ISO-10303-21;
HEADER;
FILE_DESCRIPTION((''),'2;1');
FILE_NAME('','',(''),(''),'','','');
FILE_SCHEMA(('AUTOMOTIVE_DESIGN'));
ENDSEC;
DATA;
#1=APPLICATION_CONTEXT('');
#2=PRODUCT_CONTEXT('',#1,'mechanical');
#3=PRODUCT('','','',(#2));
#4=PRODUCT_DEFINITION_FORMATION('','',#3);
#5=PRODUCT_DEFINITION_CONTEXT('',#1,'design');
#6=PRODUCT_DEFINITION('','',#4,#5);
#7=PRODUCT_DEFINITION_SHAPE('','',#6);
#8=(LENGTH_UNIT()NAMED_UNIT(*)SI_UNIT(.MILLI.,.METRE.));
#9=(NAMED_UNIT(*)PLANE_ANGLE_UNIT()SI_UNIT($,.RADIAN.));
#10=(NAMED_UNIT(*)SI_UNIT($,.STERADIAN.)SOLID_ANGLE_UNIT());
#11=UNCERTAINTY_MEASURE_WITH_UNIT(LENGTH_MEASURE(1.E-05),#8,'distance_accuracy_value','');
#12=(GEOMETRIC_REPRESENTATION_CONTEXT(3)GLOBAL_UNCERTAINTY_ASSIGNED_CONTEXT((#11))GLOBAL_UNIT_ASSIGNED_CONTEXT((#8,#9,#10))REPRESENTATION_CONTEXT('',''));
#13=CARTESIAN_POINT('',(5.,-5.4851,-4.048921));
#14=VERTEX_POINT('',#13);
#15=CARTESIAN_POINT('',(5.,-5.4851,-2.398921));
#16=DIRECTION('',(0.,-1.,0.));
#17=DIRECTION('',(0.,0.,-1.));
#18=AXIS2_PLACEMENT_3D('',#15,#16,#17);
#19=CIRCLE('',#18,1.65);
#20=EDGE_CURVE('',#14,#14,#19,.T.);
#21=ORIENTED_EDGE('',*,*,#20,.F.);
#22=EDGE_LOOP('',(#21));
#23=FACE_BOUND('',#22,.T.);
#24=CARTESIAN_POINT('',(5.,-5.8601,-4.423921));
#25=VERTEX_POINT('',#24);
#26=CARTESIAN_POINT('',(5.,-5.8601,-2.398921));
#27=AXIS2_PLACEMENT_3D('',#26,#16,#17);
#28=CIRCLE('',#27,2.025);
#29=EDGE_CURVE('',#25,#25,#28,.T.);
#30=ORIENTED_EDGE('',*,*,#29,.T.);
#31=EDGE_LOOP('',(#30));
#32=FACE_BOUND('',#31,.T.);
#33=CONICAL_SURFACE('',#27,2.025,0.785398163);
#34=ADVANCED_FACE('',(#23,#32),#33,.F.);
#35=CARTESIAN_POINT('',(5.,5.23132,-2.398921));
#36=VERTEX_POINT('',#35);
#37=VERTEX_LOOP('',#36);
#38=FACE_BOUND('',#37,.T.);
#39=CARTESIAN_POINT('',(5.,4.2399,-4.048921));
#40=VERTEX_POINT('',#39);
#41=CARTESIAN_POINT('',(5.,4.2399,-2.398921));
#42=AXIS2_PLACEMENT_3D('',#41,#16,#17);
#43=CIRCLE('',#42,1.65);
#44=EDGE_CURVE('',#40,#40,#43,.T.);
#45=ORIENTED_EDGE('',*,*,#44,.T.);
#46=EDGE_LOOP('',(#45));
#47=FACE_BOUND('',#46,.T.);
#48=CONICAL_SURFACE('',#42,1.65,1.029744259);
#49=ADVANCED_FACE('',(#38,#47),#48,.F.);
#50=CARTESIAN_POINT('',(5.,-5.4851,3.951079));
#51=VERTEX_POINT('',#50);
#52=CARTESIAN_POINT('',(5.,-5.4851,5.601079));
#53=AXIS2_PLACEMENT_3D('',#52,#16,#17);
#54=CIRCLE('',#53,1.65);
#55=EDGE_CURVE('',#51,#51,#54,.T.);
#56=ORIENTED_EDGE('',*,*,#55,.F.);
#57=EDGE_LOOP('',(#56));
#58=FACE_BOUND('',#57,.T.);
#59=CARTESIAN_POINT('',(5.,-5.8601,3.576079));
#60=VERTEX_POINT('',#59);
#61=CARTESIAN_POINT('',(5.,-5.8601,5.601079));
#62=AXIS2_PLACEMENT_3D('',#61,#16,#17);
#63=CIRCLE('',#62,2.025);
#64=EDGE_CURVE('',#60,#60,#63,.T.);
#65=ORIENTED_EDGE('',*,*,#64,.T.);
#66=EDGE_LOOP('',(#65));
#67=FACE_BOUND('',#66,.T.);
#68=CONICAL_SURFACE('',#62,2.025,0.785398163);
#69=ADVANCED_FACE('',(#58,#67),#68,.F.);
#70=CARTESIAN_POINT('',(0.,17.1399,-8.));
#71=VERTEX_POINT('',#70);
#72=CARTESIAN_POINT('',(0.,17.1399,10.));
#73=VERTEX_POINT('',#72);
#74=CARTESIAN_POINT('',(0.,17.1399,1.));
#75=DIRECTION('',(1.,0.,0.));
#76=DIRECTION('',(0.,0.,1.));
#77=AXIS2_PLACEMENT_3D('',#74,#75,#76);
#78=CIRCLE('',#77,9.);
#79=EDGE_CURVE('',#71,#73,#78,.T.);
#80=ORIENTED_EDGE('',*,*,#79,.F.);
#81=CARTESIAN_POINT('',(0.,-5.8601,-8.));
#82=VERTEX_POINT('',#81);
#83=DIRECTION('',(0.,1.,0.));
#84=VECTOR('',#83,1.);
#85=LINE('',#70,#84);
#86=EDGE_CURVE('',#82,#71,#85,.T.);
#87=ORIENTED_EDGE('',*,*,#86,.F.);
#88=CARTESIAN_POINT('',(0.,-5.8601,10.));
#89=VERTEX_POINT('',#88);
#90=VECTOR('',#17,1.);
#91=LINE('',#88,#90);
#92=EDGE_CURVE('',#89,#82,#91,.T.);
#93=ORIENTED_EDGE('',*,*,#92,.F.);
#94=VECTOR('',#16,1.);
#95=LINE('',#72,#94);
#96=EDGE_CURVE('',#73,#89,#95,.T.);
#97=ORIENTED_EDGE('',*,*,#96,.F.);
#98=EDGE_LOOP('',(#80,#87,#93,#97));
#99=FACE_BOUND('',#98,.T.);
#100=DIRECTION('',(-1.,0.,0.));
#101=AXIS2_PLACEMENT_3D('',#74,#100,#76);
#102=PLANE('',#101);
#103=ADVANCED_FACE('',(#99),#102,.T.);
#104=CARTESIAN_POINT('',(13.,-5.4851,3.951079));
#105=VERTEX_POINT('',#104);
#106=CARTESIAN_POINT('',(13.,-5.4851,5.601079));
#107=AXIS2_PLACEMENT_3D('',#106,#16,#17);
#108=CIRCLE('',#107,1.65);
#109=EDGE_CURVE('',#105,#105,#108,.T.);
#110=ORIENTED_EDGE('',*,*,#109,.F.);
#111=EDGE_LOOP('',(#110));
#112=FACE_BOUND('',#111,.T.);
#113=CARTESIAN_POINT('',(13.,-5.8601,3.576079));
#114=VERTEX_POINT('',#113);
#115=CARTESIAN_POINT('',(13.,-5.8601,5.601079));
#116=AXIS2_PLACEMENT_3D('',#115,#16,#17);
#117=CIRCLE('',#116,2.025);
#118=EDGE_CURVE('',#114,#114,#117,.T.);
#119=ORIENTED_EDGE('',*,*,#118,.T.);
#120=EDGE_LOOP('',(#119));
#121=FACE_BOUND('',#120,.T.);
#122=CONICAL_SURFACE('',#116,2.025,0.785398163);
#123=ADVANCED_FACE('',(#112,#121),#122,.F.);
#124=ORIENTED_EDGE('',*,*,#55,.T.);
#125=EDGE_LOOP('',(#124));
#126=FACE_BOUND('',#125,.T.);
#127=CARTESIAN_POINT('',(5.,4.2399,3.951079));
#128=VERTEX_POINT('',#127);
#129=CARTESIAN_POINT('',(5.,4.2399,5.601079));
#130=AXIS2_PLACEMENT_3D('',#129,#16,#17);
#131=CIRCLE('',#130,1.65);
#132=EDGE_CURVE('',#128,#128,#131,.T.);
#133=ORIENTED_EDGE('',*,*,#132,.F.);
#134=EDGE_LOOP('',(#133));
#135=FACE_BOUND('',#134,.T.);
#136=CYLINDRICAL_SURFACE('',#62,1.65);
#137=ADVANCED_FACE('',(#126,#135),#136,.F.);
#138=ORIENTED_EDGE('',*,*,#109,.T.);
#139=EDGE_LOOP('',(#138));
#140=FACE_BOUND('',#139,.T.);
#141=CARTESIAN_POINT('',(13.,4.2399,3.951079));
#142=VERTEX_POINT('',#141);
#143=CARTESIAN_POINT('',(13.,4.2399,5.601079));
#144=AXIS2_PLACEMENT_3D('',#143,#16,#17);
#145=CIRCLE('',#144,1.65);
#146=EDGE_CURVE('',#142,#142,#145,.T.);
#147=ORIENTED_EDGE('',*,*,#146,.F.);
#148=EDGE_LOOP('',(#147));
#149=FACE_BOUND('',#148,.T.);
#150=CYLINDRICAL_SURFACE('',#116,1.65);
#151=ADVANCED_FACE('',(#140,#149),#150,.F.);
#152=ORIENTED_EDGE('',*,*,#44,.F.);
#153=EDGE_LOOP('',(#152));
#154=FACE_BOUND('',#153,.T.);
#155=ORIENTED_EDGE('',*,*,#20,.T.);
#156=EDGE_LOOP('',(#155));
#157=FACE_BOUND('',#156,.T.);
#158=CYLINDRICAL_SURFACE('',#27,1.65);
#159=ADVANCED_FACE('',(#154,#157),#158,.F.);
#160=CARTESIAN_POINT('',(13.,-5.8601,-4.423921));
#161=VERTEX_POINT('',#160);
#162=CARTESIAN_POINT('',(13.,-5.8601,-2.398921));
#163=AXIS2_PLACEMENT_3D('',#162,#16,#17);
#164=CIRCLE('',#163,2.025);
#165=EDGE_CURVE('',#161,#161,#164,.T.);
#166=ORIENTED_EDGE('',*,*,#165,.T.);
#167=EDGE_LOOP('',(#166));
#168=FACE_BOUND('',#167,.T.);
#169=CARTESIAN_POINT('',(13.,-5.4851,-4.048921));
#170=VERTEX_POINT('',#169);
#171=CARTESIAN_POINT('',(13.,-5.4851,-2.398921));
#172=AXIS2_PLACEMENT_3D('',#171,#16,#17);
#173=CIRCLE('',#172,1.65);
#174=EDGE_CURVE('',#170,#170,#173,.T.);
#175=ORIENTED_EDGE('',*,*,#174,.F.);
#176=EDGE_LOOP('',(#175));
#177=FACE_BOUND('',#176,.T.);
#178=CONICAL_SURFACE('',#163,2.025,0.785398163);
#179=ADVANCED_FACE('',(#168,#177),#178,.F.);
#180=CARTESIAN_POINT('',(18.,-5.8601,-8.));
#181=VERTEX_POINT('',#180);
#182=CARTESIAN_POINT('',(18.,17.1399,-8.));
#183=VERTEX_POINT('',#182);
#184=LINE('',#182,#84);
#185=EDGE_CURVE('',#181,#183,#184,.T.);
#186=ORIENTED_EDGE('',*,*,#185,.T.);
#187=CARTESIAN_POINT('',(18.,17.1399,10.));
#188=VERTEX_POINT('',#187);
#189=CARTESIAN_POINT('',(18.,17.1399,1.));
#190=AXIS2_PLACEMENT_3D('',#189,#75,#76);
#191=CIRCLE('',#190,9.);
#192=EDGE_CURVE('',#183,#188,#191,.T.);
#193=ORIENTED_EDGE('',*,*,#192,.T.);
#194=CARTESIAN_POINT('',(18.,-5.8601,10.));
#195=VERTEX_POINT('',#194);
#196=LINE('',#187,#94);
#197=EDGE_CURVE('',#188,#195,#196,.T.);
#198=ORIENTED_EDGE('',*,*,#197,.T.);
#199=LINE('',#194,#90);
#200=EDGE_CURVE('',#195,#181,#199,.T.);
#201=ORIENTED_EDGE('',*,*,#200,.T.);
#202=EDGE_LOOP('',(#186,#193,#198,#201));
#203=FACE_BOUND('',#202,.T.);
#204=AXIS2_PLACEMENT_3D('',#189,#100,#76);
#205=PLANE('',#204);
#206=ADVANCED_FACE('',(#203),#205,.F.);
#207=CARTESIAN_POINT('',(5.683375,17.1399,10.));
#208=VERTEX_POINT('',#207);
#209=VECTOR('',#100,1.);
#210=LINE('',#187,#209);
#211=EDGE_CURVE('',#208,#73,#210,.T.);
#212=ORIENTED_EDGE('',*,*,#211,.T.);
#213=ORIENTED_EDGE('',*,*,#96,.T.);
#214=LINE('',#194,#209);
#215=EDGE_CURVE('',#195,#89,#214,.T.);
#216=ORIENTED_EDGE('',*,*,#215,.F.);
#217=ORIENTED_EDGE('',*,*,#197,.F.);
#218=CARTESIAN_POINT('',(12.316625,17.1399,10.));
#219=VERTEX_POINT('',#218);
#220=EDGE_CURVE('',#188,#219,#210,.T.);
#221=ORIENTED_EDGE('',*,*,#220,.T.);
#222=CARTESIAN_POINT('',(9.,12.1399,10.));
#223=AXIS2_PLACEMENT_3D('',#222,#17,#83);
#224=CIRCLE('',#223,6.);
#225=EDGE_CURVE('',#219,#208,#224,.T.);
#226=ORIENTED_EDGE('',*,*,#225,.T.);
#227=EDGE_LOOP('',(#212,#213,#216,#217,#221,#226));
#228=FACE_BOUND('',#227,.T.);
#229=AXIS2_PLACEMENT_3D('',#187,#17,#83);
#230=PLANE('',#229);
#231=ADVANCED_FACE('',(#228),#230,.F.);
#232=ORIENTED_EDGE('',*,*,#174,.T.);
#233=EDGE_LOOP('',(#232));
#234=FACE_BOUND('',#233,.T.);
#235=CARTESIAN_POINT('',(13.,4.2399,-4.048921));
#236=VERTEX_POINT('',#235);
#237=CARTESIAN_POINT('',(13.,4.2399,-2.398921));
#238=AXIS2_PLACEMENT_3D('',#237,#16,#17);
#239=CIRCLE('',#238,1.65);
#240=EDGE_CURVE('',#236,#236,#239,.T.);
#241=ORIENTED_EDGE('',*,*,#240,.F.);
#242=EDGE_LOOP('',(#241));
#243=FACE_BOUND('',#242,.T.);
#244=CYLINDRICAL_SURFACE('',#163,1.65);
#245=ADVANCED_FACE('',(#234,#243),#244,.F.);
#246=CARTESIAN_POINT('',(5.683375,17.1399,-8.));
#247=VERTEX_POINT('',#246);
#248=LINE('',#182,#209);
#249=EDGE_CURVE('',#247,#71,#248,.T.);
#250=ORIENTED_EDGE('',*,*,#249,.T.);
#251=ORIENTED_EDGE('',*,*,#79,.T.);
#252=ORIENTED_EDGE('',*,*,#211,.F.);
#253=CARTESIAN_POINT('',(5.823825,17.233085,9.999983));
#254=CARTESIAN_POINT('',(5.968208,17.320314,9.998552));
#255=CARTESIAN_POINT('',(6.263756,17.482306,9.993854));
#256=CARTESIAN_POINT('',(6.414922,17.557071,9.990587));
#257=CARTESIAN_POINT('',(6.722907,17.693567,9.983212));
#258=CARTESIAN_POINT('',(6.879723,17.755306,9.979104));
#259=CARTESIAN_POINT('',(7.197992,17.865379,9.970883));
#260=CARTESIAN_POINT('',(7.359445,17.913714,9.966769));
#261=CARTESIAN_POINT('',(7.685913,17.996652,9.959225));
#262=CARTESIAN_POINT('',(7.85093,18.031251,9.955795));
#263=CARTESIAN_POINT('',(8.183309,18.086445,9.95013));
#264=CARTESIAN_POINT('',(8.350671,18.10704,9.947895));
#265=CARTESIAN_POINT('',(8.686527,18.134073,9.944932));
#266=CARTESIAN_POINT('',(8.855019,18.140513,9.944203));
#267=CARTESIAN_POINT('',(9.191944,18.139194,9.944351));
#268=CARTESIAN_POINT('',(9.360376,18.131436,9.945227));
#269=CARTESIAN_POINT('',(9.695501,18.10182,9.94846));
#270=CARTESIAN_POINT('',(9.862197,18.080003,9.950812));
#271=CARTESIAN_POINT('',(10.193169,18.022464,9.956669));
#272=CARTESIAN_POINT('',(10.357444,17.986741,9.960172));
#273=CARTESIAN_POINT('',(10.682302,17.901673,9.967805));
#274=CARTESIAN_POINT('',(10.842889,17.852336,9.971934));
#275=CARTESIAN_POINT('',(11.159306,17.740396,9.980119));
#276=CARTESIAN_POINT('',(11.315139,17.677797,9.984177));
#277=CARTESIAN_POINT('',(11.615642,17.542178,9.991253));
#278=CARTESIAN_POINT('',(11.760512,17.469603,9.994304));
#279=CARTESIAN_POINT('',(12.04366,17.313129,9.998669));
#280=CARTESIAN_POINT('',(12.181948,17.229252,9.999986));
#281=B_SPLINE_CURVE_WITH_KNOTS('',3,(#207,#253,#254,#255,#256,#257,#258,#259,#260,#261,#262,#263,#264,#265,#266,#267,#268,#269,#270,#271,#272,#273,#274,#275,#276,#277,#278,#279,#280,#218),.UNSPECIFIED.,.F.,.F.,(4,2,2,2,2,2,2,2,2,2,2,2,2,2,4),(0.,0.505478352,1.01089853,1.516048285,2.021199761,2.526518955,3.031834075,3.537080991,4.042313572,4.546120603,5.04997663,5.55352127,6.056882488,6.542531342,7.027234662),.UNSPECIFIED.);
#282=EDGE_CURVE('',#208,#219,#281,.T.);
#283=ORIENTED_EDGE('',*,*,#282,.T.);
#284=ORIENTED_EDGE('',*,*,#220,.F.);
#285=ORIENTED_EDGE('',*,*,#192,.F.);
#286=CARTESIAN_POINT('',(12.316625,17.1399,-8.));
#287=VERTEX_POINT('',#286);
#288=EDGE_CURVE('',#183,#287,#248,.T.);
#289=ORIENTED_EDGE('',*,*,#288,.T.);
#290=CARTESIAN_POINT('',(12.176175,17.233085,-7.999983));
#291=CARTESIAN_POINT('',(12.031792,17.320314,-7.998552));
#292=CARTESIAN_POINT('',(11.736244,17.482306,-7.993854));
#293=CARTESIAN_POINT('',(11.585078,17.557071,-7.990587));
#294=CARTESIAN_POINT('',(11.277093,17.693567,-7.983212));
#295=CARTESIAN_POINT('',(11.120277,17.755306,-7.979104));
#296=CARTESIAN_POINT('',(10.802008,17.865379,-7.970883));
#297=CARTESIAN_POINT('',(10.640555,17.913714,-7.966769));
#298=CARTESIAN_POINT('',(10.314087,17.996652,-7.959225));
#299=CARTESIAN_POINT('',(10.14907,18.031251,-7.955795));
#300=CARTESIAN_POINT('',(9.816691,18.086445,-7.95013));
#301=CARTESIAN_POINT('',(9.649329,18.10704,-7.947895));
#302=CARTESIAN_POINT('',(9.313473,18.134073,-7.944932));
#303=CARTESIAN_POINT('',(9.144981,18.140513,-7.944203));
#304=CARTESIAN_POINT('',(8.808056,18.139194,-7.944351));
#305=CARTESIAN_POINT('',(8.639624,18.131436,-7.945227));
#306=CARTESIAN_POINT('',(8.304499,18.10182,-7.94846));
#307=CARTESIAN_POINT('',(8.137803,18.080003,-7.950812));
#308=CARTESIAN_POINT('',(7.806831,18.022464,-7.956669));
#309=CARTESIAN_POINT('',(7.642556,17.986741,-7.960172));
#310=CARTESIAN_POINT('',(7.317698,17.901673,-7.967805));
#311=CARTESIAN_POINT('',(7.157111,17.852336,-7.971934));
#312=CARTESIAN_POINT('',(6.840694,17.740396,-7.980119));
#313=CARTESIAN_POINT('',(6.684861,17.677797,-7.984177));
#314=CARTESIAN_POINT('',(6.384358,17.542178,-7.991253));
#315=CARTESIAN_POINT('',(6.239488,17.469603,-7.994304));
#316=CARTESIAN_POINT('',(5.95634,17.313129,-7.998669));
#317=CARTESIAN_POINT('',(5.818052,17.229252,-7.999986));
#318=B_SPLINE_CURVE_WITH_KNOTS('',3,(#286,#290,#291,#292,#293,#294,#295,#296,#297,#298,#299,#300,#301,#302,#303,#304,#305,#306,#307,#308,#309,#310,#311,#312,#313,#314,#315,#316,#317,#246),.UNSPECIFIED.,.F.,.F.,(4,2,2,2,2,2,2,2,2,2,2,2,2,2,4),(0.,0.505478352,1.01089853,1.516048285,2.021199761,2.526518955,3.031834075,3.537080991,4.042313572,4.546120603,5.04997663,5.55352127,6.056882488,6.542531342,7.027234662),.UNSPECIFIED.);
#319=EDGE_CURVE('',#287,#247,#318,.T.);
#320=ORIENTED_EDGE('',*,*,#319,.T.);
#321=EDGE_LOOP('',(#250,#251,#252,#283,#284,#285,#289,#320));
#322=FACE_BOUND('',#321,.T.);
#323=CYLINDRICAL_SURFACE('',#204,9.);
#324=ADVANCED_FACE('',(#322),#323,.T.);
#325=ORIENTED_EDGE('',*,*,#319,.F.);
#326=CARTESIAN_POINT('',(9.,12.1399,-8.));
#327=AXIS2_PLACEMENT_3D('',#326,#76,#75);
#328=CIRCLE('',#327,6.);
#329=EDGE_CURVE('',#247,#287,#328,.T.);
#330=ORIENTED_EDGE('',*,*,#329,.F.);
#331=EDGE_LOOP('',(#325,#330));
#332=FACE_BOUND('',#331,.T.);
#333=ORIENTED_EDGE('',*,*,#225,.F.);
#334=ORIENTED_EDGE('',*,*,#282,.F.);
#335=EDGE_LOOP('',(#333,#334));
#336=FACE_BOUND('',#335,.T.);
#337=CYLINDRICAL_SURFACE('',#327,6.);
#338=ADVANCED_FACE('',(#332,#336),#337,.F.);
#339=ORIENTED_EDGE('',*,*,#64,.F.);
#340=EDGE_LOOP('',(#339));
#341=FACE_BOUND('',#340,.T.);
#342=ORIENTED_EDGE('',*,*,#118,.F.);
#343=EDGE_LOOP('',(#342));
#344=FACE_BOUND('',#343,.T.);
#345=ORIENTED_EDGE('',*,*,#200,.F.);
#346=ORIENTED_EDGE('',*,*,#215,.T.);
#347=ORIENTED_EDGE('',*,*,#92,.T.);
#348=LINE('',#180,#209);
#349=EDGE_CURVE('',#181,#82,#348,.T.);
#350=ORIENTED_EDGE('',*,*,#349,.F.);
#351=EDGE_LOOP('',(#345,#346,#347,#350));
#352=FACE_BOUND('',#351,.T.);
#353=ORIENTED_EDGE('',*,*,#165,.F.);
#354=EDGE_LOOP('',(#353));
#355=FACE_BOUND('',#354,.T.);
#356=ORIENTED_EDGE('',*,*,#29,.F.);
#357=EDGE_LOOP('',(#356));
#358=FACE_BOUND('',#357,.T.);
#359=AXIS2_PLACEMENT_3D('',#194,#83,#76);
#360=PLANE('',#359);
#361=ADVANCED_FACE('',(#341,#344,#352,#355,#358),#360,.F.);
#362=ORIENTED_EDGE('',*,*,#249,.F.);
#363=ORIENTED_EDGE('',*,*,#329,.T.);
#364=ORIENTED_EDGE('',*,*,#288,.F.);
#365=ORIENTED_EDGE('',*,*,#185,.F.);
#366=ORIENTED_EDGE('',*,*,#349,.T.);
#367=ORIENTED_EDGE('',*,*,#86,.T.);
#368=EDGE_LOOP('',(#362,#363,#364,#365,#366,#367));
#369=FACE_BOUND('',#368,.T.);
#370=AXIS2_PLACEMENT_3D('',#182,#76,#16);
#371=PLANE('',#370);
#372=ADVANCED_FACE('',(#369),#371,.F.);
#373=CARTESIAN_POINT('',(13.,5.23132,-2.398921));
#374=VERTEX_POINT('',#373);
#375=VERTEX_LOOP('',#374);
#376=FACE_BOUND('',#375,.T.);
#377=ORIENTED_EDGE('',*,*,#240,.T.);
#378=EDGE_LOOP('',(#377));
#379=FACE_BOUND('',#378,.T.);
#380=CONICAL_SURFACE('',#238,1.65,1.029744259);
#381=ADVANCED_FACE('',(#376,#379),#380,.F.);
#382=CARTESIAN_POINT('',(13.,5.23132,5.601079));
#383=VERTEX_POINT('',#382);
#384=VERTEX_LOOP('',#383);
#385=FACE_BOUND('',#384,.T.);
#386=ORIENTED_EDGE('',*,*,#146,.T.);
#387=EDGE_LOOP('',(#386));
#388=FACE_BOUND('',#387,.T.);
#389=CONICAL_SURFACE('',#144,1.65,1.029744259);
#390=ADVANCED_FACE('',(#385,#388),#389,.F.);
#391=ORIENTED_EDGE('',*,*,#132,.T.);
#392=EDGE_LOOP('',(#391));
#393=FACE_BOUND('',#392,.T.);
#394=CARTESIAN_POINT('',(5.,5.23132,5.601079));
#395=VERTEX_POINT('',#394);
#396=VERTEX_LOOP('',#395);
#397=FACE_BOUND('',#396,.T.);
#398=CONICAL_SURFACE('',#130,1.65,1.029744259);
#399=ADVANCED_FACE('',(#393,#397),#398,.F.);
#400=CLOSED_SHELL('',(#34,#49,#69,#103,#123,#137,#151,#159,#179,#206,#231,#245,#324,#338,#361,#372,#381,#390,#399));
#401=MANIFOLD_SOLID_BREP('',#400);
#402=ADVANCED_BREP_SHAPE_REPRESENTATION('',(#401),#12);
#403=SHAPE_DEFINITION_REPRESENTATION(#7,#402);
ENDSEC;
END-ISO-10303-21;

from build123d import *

# Parameters (mm, degrees)
BOSS_EXTRUDE1_DEPTH             = 18
SKETCH2_R                       = 6
CUT_EXTRUDE1_DEPTH              = 19
M4X0_7_TAPPED_HOLE2_D           = 3.3
M4X0_7_TAPPED_HOLE2_DEPTH       = 10.1
M4X0_7_TAPPED_HOLE2_CSINK_D     = 4.05
M4X0_7_TAPPED_HOLE2_CSINK_ANGLE = 90
M4X0_7_TAPPED_HOLE2_TIP         = 0.991420021


with BuildPart() as part:
    # Sketch1 → Boss-Extrude1 (new body)
    with BuildSketch(Plane(origin=(0, 0, 0), x_dir=(0, 0, -1), z_dir=(1, 0, 0))):
        with BuildLine():
            Line((-10, 17.13989977), (-10, -5.86010023))
            Line((-10, -5.86010023), (8, -5.86010023))
            Line((8, -5.86010023), (8, 17.13989977))
            ThreePointArc((8, 17.13989977), (-1, 26.13989977), (-10, 17.13989977))
        make_face()
    extrude(amount=BOSS_EXTRUDE1_DEPTH)

    # Sketch2 → Cut-Extrude1 (cut, through all)
    with BuildSketch(Plane.XY.offset(10)):
        with Locations(Location((9, 12.13989977, 0), (0, 0, 56.442690238))):  # turned: the seam where the file's is
            Circle(SKETCH2_R)
    extrude(amount=-CUT_EXTRUDE1_DEPTH, mode=Mode.SUBTRACT)

    # M4x0.7 Tapped Hole2
    with Locations(Plane(origin=(0, -5.86010023, 0), x_dir=(-1, 0, 0), z_dir=(0, -1, 0))):
        with Locations((-5, -5.601078957), (-5, 2.398921043), (-13, 2.398921043), (-13, -5.601078957)):
            CounterSinkHole(M4X0_7_TAPPED_HOLE2_D / 2, M4X0_7_TAPPED_HOLE2_CSINK_D / 2, depth=M4X0_7_TAPPED_HOLE2_DEPTH, counter_sink_angle=M4X0_7_TAPPED_HOLE2_CSINK_ANGLE)
            with Locations((0, 0, -(M4X0_7_TAPPED_HOLE2_DEPTH + M4X0_7_TAPPED_HOLE2_TIP / 2))):  # 118° drill point
                Cone(0, M4X0_7_TAPPED_HOLE2_D / 2, M4X0_7_TAPPED_HOLE2_TIP, mode=Mode.SUBTRACT)


solid = part.part
